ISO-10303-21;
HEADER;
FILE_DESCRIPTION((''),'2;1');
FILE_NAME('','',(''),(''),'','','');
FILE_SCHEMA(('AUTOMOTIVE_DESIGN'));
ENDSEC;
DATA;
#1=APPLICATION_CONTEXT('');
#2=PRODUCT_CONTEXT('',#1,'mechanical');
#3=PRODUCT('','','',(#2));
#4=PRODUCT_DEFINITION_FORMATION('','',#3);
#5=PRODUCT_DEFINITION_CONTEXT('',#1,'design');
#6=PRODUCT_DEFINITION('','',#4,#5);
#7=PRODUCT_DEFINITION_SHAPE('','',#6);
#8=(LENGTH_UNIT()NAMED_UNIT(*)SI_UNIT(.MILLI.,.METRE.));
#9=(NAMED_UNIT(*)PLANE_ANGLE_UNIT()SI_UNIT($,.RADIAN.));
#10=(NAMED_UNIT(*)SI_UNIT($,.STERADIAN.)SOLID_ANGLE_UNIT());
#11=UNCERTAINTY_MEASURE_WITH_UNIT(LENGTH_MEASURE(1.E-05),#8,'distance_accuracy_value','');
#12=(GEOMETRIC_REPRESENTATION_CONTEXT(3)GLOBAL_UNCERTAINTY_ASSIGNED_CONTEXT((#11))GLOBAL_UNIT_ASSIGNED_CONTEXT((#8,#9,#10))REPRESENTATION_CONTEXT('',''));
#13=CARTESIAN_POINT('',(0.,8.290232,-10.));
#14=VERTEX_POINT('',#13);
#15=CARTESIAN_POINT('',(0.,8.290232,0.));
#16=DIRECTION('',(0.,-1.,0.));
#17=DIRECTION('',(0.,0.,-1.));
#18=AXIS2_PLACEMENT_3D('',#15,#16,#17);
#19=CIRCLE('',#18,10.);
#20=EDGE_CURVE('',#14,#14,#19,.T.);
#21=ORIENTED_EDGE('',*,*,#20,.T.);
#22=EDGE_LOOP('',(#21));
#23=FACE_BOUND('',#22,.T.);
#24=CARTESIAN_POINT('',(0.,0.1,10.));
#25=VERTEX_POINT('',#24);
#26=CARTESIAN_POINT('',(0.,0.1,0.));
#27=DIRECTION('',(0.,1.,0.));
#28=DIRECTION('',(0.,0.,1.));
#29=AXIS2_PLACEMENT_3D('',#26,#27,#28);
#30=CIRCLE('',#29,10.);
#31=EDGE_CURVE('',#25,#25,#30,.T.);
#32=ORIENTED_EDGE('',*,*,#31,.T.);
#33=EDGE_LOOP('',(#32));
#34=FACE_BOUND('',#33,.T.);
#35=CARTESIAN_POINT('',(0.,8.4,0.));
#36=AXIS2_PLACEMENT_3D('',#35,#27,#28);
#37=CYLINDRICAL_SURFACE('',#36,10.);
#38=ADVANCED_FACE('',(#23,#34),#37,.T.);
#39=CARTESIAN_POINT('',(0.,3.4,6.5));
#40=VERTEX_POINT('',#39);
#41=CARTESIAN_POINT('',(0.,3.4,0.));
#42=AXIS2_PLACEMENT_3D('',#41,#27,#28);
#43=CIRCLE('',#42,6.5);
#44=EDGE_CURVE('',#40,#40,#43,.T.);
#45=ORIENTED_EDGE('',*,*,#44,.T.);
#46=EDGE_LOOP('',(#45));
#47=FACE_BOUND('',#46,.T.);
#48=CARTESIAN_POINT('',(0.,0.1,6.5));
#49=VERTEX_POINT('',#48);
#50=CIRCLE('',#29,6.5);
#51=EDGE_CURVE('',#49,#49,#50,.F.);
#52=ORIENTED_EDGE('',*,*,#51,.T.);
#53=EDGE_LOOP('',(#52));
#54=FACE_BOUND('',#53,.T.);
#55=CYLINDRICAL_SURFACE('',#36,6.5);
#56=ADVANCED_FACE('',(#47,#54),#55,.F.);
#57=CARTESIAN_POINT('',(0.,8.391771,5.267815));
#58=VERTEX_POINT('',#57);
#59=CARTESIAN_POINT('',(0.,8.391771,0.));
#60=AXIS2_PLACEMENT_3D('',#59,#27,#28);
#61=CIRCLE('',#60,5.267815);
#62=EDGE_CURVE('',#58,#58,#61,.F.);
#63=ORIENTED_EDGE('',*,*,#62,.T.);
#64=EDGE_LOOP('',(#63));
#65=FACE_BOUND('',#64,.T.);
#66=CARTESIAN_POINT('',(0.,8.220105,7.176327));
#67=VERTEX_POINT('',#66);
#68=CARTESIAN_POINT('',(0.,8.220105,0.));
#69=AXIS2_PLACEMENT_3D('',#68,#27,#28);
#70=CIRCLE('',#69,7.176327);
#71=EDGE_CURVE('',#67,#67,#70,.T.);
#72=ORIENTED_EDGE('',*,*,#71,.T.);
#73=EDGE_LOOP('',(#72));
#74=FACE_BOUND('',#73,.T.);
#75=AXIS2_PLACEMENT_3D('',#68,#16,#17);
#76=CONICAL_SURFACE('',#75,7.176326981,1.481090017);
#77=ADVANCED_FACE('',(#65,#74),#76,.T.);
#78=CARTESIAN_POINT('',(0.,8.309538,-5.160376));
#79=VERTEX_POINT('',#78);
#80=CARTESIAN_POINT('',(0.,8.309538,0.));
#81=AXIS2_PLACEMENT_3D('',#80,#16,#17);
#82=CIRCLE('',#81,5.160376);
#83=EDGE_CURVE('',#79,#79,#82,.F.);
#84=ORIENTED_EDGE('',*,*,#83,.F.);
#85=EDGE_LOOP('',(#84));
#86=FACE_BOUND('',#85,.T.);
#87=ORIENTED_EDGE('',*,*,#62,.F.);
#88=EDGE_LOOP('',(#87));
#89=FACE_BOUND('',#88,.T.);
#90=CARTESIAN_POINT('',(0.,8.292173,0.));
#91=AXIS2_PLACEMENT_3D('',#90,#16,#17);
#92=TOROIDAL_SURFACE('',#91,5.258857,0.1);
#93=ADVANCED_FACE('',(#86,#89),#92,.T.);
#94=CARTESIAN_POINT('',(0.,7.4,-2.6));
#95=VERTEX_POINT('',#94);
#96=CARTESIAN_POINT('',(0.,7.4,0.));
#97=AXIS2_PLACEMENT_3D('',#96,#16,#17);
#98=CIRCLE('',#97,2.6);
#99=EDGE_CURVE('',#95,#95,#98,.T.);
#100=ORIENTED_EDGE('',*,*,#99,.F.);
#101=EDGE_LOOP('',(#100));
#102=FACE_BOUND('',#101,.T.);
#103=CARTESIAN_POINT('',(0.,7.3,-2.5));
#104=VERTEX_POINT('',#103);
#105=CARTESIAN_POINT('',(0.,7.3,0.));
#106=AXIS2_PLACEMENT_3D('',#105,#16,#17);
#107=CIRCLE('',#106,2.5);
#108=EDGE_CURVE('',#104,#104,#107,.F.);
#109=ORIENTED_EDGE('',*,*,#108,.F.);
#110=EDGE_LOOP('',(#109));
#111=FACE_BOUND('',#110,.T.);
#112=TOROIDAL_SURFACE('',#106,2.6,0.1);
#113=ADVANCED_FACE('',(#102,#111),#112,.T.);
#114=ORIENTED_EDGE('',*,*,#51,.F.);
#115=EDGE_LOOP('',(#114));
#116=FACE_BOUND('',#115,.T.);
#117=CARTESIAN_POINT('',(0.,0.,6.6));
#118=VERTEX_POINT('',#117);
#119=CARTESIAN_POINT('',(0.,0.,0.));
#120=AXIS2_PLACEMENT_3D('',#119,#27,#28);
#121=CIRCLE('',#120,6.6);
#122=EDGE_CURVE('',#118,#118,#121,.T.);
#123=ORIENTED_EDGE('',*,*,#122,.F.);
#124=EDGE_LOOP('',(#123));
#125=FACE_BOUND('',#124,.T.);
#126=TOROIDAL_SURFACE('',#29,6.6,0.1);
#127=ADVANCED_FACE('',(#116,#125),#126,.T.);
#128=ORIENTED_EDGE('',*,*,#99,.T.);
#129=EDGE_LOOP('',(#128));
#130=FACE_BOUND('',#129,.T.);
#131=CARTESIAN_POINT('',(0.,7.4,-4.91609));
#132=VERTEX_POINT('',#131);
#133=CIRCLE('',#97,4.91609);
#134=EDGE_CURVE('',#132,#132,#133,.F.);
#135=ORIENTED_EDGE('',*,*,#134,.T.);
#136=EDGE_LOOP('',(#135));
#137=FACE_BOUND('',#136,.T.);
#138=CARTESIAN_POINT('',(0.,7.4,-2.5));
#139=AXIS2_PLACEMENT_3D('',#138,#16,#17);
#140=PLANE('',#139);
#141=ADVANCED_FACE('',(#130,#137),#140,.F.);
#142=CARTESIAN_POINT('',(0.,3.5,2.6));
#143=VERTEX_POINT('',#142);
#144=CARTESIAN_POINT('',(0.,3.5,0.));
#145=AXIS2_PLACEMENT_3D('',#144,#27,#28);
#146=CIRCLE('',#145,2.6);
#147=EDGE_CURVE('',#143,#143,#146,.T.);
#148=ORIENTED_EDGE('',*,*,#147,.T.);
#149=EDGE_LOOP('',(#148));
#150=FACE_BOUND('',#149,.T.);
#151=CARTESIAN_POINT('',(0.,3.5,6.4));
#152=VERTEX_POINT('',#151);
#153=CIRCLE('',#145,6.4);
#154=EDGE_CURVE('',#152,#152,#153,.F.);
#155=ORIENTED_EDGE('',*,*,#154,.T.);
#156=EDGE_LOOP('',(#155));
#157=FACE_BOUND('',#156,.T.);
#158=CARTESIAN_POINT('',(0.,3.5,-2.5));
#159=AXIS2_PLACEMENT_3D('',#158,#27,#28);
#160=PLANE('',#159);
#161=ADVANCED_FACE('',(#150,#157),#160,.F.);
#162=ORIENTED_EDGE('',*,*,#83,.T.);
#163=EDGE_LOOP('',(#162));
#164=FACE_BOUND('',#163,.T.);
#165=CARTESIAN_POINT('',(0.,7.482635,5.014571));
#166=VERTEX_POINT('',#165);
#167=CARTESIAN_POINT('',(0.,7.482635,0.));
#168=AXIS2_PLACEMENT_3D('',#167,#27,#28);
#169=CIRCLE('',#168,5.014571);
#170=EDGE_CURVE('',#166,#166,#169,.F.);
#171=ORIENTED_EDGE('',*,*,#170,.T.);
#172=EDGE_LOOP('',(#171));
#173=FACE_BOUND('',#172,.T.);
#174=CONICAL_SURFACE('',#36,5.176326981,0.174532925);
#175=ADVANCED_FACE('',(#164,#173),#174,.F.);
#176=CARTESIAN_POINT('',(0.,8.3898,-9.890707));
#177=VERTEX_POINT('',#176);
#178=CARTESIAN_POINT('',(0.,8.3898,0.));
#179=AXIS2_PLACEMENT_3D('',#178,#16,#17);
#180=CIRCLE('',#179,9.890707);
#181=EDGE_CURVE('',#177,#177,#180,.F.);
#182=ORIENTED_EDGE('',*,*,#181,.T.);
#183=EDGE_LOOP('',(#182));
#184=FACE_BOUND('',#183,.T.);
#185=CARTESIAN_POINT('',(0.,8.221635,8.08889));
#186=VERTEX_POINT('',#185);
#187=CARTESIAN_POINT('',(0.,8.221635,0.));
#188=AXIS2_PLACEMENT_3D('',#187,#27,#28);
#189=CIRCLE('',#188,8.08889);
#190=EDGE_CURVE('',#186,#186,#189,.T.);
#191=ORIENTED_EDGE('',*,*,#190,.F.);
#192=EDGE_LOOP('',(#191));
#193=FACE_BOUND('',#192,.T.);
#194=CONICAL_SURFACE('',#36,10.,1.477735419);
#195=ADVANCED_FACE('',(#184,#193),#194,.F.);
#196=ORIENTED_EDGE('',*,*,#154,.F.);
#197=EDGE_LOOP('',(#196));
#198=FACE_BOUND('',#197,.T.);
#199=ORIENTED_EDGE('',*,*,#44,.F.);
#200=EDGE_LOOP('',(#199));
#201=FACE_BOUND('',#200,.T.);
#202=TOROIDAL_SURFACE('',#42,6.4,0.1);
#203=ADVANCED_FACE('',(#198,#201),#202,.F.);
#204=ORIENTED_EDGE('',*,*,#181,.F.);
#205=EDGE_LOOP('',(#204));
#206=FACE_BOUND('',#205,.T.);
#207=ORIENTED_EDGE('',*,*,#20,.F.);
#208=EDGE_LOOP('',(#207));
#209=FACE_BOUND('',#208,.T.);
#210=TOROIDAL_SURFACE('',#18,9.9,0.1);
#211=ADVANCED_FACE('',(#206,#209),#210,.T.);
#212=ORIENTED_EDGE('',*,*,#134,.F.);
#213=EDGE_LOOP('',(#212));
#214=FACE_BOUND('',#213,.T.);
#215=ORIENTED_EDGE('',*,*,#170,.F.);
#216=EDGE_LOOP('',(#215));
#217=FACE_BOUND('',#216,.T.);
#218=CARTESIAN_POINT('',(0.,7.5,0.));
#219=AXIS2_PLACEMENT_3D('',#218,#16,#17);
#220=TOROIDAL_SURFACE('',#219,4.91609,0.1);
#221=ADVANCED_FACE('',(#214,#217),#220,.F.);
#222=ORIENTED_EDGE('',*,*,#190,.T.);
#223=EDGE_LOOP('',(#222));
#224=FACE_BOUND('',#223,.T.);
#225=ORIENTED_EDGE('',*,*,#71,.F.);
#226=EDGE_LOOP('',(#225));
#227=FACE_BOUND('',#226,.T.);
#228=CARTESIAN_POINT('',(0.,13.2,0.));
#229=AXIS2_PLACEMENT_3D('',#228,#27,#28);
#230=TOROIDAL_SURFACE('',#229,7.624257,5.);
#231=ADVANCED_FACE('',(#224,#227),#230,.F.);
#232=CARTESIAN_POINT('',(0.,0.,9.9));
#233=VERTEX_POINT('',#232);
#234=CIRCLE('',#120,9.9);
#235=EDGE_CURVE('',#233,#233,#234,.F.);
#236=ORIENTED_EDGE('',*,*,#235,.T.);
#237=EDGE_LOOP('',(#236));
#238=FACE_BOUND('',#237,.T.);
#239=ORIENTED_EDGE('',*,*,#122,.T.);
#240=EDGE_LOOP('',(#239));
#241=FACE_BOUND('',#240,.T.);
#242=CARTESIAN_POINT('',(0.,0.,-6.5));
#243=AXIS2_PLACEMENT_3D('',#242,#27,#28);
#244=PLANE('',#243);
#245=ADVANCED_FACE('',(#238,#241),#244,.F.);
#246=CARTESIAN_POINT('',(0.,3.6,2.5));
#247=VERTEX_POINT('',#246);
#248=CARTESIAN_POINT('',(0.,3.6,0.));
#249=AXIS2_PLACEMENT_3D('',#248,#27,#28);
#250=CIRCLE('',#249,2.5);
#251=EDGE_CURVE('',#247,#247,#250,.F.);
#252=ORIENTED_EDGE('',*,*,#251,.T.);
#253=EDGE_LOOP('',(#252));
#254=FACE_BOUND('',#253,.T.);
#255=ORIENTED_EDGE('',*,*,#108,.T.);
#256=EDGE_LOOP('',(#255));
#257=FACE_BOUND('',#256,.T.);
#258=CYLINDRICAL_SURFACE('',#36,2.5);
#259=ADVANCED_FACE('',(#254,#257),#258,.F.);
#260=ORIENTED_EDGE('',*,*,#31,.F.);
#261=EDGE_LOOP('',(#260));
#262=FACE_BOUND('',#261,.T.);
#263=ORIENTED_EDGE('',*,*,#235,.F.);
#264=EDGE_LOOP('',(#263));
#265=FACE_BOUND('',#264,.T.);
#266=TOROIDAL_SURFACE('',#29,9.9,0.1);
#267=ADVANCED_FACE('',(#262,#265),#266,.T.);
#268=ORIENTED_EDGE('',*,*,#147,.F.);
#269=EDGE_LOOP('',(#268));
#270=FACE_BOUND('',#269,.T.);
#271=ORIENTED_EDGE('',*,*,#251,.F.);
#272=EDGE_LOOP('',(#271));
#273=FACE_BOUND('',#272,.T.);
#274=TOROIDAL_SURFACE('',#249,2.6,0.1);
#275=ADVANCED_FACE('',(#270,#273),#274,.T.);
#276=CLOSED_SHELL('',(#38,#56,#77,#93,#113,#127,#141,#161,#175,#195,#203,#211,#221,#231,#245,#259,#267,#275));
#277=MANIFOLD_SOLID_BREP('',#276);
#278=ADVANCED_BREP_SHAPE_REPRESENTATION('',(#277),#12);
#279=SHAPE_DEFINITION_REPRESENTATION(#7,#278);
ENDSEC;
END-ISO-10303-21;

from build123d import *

# Parameters (mm, degrees)
ZAOKR_GLENIE1_R = 0.1


with BuildPart() as part:
    # Szkic1 → Obr_t1 (revolve)
    with BuildSketch(Plane(origin=(0, 0, 0), x_dir=(0, 0, -1), z_dir=(1, 0, 0))):
        with BuildLine():
            Line((2.5, 3.5), (6.5, 3.5))
            Line((6.5, 3.5), (6.5, 0))
            Line((6.5, 0), (10, 0))
            Line((10, 0), (10, 8.4))
            Line((10, 8.4), (8.088890415, 8.221635211))
            ThreePointArc((8.088890415, 8.221635211), (7.632643691, 8.200007033), (7.176326981, 8.220104568))
            Line((7.176326981, 8.220104568), (5.176326981, 8.4))
            Line((5.176326981, 8.4), (5, 7.4))
            Line((5, 7.4), (2.5, 7.4))
            Line((2.5, 7.4), (2.5, 3.5))
        make_face()
    revolve(axis=Axis((0, 8.4, 0), (0, -1, 0)))

    # Szkic1_2 → Obr_t2 (revolve)
    with BuildSketch(Plane(origin=(0, 0, 0), x_dir=(0, 0, -1), z_dir=(1, 0, 0))):
        with BuildLine():
            Line((2.5, 3.5), (6.5, 3.5))
            Line((6.5, 3.5), (6.5, 0))
            Line((6.5, 0), (10, 0))
            Line((10, 0), (10, 8.4))
            Line((10, 8.4), (8.088890415, 8.221635211))
            ThreePointArc((8.088890415, 8.221635211), (7.632643691, 8.200007033), (7.176326981, 8.220104568))
            Line((7.176326981, 8.220104568), (5.176326981, 8.4))
            Line((5.176326981, 8.4), (5, 7.4))
            Line((5, 7.4), (2.5, 7.4))
            Line((2.5, 7.4), (2.5, 3.5))
        make_face()
    revolve(axis=Axis((0, 8.4, 0), (0, -1, 0)))

    # Zaokr_glenie1
    zaokr_glenie1_edges = [part.edges().sort_by_distance(p)[0] for p in [
        (0, 7.4, 5),
        (0, 8.4, 5.176326981),
        (0, 8.4, 10),
        (0, 0, 10),
        (0, 0, 6.5),
        (0, 3.5, 6.5),
        (0, 3.5, 2.5),
        (0, 7.4, 2.5),
    ]]
    fillet(zaokr_glenie1_edges, radius=ZAOKR_GLENIE1_R)


solid = part.part
